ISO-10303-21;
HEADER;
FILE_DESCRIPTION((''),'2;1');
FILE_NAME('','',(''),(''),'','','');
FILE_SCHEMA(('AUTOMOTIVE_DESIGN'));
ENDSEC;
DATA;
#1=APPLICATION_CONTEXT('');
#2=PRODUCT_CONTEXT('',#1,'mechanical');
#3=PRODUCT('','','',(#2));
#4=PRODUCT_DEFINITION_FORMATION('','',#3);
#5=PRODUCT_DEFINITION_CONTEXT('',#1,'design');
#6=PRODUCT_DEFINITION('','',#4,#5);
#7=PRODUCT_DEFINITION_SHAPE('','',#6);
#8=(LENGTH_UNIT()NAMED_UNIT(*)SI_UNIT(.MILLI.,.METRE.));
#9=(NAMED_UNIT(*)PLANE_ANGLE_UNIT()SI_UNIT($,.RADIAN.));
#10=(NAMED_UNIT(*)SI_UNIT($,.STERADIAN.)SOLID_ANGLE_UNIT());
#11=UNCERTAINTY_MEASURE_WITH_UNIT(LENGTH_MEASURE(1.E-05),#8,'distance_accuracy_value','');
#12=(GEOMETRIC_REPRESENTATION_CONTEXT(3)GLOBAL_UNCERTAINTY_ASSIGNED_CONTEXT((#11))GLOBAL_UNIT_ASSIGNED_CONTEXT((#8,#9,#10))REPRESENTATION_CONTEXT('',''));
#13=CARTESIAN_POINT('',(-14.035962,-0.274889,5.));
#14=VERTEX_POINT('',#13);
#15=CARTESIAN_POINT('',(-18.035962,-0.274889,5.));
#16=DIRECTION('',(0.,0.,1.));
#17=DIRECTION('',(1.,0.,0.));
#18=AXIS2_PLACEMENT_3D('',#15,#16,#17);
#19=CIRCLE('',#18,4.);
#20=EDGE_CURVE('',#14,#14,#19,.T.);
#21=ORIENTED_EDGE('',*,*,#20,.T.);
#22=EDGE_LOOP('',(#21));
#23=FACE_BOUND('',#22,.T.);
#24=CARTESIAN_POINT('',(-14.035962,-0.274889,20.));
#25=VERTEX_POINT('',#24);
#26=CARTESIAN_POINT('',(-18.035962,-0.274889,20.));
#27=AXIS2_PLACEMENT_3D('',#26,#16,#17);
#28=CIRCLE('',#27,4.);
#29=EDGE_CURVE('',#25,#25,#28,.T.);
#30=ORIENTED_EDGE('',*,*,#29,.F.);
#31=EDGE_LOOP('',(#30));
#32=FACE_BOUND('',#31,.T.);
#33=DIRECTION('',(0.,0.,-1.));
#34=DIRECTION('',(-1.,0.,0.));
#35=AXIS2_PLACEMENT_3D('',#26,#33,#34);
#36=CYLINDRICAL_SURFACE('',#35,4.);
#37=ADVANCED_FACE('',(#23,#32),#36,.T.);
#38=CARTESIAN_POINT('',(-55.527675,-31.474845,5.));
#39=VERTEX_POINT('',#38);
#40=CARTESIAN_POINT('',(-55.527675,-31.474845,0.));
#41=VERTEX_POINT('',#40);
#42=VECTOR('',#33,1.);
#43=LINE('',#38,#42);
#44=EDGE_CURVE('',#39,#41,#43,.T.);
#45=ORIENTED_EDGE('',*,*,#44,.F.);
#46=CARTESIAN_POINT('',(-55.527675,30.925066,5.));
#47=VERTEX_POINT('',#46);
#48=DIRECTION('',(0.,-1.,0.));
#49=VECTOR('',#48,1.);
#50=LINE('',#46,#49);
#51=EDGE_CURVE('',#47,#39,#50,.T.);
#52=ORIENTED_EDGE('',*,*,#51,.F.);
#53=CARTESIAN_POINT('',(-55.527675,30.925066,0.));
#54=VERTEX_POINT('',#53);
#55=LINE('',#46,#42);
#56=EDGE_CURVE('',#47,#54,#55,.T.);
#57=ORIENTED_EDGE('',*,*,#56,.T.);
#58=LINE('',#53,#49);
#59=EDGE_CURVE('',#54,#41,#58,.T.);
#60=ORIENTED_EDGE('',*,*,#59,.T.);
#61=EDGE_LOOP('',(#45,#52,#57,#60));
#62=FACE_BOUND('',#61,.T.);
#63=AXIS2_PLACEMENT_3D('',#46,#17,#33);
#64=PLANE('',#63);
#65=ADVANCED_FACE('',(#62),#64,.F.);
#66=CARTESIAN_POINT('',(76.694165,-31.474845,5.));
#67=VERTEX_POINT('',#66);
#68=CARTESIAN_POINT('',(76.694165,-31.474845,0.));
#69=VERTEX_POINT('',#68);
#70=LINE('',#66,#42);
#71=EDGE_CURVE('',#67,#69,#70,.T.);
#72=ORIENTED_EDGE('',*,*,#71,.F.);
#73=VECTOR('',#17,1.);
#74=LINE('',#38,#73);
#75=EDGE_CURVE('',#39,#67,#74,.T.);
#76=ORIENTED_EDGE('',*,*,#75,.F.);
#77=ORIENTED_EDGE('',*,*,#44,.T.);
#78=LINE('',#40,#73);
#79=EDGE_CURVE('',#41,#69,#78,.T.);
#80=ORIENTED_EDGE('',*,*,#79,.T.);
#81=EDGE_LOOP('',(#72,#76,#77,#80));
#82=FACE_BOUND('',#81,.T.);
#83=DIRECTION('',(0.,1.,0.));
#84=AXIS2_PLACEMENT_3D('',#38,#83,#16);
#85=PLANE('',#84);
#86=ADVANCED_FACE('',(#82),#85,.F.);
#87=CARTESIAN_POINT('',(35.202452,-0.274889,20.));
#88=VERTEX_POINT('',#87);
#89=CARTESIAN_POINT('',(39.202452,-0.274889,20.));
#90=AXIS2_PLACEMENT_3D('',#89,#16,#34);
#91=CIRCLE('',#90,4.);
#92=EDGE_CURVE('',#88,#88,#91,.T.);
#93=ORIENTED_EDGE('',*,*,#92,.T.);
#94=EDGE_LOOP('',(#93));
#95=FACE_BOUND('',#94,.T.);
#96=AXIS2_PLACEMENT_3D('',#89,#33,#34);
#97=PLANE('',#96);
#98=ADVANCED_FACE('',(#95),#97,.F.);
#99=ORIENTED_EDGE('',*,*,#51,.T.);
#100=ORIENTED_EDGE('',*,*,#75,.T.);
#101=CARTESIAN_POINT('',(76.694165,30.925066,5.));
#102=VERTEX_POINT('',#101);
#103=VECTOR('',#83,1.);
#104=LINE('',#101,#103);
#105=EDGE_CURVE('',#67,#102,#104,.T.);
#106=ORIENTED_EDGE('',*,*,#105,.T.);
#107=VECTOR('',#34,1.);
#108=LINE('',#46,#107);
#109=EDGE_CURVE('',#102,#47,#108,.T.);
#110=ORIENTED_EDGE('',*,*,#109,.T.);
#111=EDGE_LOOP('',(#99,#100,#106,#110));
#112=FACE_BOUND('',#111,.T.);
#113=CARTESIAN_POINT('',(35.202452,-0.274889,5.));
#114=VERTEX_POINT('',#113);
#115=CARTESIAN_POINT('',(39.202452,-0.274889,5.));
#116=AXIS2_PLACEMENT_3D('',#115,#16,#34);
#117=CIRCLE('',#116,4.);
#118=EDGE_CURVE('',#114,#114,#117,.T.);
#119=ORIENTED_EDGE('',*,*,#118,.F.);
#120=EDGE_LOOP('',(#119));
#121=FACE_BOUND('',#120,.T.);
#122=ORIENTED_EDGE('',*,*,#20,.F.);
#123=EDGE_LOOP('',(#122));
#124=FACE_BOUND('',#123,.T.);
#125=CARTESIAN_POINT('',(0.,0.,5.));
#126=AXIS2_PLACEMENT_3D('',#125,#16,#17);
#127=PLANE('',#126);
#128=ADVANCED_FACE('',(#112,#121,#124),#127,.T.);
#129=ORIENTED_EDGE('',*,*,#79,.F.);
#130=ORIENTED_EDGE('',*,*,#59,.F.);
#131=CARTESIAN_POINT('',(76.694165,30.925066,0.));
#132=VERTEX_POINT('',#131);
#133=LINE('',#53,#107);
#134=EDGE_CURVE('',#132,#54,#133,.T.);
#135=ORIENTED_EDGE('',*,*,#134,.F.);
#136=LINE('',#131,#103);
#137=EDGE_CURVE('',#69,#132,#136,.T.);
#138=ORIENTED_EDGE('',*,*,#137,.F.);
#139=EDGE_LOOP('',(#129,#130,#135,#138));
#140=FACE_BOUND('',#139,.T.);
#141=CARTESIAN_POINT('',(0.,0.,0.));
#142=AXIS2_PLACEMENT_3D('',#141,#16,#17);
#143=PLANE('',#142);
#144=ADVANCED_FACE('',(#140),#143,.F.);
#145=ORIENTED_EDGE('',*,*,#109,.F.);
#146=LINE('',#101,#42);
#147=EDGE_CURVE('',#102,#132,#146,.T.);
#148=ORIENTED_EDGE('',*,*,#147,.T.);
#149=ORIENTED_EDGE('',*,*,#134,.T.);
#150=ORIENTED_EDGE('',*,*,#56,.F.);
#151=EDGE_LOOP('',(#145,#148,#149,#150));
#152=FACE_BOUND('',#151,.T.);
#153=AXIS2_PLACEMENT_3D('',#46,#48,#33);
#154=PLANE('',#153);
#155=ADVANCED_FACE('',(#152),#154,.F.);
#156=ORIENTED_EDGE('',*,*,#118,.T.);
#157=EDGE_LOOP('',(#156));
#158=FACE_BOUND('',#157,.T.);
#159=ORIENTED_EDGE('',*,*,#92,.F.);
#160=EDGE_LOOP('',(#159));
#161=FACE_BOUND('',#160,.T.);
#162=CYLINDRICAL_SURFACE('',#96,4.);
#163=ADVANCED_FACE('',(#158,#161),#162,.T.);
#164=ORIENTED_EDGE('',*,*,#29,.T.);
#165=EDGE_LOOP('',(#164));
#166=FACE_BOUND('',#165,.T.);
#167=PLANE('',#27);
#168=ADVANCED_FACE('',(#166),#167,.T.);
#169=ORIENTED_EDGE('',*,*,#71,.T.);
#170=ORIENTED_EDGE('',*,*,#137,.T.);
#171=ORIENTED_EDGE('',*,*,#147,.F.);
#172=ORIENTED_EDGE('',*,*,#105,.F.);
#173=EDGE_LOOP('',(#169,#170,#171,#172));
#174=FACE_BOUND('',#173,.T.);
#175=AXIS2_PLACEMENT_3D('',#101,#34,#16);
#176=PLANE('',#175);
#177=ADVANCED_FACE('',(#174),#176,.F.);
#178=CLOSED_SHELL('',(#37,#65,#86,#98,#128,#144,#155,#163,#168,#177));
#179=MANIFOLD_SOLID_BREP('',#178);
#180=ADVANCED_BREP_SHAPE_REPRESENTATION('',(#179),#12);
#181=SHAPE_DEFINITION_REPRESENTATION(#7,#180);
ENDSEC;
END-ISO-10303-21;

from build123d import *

# Parameters (mm, degrees)
SKETCH1_W           = 132.221839449
SKETCH1_H           = 62.399911756
BOSS_EXTRUDE1_DEPTH = 5
SKETCH2_R           = 4
BOSS_EXTRUDE2_DEPTH = 15


with BuildPart() as part:
    # Sketch1 → Boss-Extrude1 (new body)
    with BuildSketch(Plane.XY):
        with Locations((10.583244946, -0.274889479)):
            Rectangle(SKETCH1_W, SKETCH1_H)
    extrude(amount=BOSS_EXTRUDE1_DEPTH)

    # Sketch2 → Boss-Extrude2 (add)
    with BuildSketch(Plane.XY.offset(5)):
        with Locations((-18.035961804, -0.274889479)):
            Circle(SKETCH2_R)
        with Locations(Location((39.202451695, -0.274889479, 0), (0, 0, 180))):
            Circle(SKETCH2_R)
    extrude(amount=BOSS_EXTRUDE2_DEPTH)


solid = part.part
